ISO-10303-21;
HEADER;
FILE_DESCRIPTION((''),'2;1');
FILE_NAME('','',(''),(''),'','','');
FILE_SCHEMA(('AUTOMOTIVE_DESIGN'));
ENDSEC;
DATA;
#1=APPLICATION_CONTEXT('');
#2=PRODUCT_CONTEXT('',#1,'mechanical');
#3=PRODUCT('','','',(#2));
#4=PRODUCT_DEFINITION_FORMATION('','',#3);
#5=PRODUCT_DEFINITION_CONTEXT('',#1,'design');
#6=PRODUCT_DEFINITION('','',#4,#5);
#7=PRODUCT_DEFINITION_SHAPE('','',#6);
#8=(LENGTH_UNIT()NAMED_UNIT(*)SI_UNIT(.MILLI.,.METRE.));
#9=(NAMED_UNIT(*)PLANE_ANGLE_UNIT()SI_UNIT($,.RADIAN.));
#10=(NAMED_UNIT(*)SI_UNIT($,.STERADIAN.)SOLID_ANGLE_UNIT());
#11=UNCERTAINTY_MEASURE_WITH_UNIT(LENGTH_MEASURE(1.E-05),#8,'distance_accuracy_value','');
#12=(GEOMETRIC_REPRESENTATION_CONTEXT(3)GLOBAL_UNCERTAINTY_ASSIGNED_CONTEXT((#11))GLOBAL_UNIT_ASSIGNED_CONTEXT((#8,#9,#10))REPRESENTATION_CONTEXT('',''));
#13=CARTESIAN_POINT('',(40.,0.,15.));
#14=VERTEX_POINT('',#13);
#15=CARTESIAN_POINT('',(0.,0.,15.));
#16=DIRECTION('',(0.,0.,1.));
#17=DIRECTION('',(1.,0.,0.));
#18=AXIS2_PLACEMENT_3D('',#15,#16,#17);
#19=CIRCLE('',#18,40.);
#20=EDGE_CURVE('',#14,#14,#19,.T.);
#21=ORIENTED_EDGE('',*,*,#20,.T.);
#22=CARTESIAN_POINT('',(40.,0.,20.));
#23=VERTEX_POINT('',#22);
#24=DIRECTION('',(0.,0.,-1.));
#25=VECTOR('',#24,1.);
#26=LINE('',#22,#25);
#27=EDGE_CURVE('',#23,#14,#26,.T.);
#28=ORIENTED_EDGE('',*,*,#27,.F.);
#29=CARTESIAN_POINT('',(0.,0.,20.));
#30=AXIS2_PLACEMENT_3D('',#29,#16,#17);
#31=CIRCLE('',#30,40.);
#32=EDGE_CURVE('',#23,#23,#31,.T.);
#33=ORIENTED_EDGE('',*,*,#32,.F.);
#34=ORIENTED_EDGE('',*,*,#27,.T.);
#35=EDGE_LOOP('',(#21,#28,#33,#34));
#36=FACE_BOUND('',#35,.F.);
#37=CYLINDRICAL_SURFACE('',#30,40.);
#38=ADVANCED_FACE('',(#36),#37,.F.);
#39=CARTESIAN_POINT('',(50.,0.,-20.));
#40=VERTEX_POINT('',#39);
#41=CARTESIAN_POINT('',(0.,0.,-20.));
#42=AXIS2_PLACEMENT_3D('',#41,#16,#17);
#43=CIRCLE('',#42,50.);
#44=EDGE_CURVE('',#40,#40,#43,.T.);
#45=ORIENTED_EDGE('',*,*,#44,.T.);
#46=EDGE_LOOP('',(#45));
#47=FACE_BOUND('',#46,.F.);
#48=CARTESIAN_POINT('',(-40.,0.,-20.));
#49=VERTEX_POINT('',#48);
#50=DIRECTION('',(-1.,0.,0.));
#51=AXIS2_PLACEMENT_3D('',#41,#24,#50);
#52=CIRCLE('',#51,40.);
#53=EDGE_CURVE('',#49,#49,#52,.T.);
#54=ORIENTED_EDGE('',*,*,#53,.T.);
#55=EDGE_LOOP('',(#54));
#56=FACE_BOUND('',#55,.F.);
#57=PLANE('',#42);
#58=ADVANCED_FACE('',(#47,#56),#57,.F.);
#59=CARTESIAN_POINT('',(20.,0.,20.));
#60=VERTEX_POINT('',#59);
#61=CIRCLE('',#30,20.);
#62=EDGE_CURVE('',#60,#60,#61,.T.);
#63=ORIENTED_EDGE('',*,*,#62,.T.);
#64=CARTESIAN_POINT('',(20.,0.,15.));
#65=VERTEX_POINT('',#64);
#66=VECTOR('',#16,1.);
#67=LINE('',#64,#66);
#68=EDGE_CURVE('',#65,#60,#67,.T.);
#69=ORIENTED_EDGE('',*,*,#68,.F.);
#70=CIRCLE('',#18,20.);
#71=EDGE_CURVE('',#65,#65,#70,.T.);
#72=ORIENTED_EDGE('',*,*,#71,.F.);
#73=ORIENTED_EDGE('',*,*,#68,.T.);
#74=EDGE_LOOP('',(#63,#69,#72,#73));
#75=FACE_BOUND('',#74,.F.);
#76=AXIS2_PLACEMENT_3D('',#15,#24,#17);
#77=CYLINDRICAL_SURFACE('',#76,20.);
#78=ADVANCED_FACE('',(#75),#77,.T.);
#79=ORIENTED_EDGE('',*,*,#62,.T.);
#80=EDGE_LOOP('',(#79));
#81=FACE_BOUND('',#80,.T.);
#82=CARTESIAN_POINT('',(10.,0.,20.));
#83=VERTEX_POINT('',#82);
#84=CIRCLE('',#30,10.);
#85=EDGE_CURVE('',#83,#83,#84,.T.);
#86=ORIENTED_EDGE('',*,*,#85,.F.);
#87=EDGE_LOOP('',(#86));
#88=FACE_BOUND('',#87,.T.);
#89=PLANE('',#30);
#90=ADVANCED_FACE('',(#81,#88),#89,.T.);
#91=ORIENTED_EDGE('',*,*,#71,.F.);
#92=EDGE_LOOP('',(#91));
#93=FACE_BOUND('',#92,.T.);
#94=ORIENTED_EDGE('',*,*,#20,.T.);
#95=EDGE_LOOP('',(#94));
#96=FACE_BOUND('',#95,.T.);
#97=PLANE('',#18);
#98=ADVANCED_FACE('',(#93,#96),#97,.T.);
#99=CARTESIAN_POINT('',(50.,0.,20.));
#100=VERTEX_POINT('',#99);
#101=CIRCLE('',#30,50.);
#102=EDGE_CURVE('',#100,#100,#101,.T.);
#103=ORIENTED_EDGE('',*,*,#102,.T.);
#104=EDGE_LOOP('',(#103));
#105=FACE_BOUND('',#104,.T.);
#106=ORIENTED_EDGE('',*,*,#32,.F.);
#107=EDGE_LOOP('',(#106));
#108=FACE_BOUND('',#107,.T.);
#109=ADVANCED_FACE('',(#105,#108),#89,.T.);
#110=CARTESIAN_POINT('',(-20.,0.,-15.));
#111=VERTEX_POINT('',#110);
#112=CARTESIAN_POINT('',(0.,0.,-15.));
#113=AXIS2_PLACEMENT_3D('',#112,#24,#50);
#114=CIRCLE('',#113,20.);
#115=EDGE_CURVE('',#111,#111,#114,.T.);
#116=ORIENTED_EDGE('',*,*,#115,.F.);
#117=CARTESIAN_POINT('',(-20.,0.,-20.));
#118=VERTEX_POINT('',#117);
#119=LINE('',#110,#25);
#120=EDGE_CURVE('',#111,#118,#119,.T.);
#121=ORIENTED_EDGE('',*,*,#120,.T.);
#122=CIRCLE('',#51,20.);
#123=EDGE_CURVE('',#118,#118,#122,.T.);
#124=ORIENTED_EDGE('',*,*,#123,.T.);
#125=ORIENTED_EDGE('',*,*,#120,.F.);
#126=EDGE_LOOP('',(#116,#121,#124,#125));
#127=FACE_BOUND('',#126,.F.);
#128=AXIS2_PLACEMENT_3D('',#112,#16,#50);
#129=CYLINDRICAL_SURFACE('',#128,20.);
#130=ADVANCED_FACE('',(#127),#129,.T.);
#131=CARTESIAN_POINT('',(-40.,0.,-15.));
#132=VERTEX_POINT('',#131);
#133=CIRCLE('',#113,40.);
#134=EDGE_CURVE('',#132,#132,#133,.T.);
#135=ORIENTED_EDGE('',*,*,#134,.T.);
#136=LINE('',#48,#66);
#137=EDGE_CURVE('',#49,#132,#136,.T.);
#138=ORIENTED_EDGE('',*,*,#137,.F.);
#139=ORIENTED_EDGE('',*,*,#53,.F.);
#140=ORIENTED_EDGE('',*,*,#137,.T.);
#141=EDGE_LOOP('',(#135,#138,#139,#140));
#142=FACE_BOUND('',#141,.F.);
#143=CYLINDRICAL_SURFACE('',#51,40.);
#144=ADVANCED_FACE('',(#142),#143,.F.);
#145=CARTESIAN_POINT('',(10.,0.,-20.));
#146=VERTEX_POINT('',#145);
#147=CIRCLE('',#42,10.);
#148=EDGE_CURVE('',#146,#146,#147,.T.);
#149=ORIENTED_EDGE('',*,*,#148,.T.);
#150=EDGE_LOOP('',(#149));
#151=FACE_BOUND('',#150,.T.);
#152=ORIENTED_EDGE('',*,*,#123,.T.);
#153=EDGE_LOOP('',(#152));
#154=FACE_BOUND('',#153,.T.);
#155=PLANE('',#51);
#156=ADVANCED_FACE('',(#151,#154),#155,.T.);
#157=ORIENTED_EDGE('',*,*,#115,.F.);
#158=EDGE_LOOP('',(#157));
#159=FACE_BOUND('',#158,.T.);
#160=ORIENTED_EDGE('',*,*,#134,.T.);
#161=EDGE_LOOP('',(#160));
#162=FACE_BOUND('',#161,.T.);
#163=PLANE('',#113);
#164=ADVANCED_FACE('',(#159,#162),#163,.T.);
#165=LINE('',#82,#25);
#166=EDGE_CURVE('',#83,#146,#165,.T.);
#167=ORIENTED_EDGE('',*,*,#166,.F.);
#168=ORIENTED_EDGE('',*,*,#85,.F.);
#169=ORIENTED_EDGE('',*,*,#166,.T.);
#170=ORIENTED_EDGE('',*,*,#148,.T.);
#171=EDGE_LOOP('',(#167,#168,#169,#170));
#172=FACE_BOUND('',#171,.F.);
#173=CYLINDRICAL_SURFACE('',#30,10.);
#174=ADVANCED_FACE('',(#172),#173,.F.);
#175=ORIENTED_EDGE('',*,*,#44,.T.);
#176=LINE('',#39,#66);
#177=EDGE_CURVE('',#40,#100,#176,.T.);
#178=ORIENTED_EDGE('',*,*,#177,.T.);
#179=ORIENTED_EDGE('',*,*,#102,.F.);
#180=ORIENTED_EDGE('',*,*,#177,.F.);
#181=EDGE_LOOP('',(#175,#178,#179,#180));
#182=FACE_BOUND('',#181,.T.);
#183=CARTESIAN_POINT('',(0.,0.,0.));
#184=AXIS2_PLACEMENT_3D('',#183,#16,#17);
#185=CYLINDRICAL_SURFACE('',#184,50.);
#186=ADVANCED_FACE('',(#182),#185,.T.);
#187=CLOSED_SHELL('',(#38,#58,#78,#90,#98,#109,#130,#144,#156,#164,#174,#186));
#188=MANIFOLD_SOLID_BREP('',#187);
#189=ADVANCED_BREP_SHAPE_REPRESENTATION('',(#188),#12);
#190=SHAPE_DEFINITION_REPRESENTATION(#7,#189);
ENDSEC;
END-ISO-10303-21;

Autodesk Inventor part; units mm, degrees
ref_plane "YZ Plane" through (0, 0, 0) normal (1, 0, 0) x (0, 1, 0)
ref_plane "XZ Plane" through (0, 0, 0) normal (0, 1, 0) x (-1, 0, 0)
ref_plane "XY Plane" through (0, 0, 0) normal (0, 0, 1) x (1, 0, 0)
sketch "Esboço1" plane through (0, 0, 0) normal (0, 0, 1) x (1, 0, 0)
  circle A0 centre (0, 0) radius 10
  circle A1 centre (0, 0) radius 40
  circle A2 centre (0, 0) radius 50
  dimension "d0" = 100
  dimension "d1" = 80
  dimension "d2" = 20
extrude "Extrusão1" add sketch "Esboço1" along normal mid plane 40 contours A1 | A2
sketch "Esboço2" plane through (0, 0, 20) normal (0, 0, 1) x (1, 0, 0)
  circle A0 centre (0, 0) radius 40
  dimension "d5" = 80
extrude "Extrusão2" cut sketch "Esboço2" against normal blind 5
sketch "Esboço3" plane through (0, 0, -20) normal (0, 0, -1) x (-1, 0, 0)
  circle A0 centre (0, 0) radius 40
  dimension "d8" = 80
extrude "Extrusão3" cut sketch "Esboço3" against normal blind 5
sketch "Esboço4" plane through (0, 0, 15) normal (0, 0, 1) x (1, 0, 0)
  circle A0 centre (0, 0) radius 20
  dimension "d11" = 40
extrude "Extrusão4" add sketch "Esboço4" along normal blind 5
sketch "Esboço5" plane through (0, 0, -15) normal (0, 0, -1) x (-1, 0, 0)
  circle A0 centre (0, 0) radius 20
  dimension "d14" = 40
extrude "Extrusão5" add sketch "Esboço5" along normal blind 5
sketch "Esboço6" plane through (0, 0, 20) normal (0, 0, 1) x (1, 0, 0)
  circle A0 centre (0, 0) radius 10
  dimension "d17" = 20
extrude "Extrusão6" cut sketch "Esboço6" against normal through all
properties part number "rodizio"
